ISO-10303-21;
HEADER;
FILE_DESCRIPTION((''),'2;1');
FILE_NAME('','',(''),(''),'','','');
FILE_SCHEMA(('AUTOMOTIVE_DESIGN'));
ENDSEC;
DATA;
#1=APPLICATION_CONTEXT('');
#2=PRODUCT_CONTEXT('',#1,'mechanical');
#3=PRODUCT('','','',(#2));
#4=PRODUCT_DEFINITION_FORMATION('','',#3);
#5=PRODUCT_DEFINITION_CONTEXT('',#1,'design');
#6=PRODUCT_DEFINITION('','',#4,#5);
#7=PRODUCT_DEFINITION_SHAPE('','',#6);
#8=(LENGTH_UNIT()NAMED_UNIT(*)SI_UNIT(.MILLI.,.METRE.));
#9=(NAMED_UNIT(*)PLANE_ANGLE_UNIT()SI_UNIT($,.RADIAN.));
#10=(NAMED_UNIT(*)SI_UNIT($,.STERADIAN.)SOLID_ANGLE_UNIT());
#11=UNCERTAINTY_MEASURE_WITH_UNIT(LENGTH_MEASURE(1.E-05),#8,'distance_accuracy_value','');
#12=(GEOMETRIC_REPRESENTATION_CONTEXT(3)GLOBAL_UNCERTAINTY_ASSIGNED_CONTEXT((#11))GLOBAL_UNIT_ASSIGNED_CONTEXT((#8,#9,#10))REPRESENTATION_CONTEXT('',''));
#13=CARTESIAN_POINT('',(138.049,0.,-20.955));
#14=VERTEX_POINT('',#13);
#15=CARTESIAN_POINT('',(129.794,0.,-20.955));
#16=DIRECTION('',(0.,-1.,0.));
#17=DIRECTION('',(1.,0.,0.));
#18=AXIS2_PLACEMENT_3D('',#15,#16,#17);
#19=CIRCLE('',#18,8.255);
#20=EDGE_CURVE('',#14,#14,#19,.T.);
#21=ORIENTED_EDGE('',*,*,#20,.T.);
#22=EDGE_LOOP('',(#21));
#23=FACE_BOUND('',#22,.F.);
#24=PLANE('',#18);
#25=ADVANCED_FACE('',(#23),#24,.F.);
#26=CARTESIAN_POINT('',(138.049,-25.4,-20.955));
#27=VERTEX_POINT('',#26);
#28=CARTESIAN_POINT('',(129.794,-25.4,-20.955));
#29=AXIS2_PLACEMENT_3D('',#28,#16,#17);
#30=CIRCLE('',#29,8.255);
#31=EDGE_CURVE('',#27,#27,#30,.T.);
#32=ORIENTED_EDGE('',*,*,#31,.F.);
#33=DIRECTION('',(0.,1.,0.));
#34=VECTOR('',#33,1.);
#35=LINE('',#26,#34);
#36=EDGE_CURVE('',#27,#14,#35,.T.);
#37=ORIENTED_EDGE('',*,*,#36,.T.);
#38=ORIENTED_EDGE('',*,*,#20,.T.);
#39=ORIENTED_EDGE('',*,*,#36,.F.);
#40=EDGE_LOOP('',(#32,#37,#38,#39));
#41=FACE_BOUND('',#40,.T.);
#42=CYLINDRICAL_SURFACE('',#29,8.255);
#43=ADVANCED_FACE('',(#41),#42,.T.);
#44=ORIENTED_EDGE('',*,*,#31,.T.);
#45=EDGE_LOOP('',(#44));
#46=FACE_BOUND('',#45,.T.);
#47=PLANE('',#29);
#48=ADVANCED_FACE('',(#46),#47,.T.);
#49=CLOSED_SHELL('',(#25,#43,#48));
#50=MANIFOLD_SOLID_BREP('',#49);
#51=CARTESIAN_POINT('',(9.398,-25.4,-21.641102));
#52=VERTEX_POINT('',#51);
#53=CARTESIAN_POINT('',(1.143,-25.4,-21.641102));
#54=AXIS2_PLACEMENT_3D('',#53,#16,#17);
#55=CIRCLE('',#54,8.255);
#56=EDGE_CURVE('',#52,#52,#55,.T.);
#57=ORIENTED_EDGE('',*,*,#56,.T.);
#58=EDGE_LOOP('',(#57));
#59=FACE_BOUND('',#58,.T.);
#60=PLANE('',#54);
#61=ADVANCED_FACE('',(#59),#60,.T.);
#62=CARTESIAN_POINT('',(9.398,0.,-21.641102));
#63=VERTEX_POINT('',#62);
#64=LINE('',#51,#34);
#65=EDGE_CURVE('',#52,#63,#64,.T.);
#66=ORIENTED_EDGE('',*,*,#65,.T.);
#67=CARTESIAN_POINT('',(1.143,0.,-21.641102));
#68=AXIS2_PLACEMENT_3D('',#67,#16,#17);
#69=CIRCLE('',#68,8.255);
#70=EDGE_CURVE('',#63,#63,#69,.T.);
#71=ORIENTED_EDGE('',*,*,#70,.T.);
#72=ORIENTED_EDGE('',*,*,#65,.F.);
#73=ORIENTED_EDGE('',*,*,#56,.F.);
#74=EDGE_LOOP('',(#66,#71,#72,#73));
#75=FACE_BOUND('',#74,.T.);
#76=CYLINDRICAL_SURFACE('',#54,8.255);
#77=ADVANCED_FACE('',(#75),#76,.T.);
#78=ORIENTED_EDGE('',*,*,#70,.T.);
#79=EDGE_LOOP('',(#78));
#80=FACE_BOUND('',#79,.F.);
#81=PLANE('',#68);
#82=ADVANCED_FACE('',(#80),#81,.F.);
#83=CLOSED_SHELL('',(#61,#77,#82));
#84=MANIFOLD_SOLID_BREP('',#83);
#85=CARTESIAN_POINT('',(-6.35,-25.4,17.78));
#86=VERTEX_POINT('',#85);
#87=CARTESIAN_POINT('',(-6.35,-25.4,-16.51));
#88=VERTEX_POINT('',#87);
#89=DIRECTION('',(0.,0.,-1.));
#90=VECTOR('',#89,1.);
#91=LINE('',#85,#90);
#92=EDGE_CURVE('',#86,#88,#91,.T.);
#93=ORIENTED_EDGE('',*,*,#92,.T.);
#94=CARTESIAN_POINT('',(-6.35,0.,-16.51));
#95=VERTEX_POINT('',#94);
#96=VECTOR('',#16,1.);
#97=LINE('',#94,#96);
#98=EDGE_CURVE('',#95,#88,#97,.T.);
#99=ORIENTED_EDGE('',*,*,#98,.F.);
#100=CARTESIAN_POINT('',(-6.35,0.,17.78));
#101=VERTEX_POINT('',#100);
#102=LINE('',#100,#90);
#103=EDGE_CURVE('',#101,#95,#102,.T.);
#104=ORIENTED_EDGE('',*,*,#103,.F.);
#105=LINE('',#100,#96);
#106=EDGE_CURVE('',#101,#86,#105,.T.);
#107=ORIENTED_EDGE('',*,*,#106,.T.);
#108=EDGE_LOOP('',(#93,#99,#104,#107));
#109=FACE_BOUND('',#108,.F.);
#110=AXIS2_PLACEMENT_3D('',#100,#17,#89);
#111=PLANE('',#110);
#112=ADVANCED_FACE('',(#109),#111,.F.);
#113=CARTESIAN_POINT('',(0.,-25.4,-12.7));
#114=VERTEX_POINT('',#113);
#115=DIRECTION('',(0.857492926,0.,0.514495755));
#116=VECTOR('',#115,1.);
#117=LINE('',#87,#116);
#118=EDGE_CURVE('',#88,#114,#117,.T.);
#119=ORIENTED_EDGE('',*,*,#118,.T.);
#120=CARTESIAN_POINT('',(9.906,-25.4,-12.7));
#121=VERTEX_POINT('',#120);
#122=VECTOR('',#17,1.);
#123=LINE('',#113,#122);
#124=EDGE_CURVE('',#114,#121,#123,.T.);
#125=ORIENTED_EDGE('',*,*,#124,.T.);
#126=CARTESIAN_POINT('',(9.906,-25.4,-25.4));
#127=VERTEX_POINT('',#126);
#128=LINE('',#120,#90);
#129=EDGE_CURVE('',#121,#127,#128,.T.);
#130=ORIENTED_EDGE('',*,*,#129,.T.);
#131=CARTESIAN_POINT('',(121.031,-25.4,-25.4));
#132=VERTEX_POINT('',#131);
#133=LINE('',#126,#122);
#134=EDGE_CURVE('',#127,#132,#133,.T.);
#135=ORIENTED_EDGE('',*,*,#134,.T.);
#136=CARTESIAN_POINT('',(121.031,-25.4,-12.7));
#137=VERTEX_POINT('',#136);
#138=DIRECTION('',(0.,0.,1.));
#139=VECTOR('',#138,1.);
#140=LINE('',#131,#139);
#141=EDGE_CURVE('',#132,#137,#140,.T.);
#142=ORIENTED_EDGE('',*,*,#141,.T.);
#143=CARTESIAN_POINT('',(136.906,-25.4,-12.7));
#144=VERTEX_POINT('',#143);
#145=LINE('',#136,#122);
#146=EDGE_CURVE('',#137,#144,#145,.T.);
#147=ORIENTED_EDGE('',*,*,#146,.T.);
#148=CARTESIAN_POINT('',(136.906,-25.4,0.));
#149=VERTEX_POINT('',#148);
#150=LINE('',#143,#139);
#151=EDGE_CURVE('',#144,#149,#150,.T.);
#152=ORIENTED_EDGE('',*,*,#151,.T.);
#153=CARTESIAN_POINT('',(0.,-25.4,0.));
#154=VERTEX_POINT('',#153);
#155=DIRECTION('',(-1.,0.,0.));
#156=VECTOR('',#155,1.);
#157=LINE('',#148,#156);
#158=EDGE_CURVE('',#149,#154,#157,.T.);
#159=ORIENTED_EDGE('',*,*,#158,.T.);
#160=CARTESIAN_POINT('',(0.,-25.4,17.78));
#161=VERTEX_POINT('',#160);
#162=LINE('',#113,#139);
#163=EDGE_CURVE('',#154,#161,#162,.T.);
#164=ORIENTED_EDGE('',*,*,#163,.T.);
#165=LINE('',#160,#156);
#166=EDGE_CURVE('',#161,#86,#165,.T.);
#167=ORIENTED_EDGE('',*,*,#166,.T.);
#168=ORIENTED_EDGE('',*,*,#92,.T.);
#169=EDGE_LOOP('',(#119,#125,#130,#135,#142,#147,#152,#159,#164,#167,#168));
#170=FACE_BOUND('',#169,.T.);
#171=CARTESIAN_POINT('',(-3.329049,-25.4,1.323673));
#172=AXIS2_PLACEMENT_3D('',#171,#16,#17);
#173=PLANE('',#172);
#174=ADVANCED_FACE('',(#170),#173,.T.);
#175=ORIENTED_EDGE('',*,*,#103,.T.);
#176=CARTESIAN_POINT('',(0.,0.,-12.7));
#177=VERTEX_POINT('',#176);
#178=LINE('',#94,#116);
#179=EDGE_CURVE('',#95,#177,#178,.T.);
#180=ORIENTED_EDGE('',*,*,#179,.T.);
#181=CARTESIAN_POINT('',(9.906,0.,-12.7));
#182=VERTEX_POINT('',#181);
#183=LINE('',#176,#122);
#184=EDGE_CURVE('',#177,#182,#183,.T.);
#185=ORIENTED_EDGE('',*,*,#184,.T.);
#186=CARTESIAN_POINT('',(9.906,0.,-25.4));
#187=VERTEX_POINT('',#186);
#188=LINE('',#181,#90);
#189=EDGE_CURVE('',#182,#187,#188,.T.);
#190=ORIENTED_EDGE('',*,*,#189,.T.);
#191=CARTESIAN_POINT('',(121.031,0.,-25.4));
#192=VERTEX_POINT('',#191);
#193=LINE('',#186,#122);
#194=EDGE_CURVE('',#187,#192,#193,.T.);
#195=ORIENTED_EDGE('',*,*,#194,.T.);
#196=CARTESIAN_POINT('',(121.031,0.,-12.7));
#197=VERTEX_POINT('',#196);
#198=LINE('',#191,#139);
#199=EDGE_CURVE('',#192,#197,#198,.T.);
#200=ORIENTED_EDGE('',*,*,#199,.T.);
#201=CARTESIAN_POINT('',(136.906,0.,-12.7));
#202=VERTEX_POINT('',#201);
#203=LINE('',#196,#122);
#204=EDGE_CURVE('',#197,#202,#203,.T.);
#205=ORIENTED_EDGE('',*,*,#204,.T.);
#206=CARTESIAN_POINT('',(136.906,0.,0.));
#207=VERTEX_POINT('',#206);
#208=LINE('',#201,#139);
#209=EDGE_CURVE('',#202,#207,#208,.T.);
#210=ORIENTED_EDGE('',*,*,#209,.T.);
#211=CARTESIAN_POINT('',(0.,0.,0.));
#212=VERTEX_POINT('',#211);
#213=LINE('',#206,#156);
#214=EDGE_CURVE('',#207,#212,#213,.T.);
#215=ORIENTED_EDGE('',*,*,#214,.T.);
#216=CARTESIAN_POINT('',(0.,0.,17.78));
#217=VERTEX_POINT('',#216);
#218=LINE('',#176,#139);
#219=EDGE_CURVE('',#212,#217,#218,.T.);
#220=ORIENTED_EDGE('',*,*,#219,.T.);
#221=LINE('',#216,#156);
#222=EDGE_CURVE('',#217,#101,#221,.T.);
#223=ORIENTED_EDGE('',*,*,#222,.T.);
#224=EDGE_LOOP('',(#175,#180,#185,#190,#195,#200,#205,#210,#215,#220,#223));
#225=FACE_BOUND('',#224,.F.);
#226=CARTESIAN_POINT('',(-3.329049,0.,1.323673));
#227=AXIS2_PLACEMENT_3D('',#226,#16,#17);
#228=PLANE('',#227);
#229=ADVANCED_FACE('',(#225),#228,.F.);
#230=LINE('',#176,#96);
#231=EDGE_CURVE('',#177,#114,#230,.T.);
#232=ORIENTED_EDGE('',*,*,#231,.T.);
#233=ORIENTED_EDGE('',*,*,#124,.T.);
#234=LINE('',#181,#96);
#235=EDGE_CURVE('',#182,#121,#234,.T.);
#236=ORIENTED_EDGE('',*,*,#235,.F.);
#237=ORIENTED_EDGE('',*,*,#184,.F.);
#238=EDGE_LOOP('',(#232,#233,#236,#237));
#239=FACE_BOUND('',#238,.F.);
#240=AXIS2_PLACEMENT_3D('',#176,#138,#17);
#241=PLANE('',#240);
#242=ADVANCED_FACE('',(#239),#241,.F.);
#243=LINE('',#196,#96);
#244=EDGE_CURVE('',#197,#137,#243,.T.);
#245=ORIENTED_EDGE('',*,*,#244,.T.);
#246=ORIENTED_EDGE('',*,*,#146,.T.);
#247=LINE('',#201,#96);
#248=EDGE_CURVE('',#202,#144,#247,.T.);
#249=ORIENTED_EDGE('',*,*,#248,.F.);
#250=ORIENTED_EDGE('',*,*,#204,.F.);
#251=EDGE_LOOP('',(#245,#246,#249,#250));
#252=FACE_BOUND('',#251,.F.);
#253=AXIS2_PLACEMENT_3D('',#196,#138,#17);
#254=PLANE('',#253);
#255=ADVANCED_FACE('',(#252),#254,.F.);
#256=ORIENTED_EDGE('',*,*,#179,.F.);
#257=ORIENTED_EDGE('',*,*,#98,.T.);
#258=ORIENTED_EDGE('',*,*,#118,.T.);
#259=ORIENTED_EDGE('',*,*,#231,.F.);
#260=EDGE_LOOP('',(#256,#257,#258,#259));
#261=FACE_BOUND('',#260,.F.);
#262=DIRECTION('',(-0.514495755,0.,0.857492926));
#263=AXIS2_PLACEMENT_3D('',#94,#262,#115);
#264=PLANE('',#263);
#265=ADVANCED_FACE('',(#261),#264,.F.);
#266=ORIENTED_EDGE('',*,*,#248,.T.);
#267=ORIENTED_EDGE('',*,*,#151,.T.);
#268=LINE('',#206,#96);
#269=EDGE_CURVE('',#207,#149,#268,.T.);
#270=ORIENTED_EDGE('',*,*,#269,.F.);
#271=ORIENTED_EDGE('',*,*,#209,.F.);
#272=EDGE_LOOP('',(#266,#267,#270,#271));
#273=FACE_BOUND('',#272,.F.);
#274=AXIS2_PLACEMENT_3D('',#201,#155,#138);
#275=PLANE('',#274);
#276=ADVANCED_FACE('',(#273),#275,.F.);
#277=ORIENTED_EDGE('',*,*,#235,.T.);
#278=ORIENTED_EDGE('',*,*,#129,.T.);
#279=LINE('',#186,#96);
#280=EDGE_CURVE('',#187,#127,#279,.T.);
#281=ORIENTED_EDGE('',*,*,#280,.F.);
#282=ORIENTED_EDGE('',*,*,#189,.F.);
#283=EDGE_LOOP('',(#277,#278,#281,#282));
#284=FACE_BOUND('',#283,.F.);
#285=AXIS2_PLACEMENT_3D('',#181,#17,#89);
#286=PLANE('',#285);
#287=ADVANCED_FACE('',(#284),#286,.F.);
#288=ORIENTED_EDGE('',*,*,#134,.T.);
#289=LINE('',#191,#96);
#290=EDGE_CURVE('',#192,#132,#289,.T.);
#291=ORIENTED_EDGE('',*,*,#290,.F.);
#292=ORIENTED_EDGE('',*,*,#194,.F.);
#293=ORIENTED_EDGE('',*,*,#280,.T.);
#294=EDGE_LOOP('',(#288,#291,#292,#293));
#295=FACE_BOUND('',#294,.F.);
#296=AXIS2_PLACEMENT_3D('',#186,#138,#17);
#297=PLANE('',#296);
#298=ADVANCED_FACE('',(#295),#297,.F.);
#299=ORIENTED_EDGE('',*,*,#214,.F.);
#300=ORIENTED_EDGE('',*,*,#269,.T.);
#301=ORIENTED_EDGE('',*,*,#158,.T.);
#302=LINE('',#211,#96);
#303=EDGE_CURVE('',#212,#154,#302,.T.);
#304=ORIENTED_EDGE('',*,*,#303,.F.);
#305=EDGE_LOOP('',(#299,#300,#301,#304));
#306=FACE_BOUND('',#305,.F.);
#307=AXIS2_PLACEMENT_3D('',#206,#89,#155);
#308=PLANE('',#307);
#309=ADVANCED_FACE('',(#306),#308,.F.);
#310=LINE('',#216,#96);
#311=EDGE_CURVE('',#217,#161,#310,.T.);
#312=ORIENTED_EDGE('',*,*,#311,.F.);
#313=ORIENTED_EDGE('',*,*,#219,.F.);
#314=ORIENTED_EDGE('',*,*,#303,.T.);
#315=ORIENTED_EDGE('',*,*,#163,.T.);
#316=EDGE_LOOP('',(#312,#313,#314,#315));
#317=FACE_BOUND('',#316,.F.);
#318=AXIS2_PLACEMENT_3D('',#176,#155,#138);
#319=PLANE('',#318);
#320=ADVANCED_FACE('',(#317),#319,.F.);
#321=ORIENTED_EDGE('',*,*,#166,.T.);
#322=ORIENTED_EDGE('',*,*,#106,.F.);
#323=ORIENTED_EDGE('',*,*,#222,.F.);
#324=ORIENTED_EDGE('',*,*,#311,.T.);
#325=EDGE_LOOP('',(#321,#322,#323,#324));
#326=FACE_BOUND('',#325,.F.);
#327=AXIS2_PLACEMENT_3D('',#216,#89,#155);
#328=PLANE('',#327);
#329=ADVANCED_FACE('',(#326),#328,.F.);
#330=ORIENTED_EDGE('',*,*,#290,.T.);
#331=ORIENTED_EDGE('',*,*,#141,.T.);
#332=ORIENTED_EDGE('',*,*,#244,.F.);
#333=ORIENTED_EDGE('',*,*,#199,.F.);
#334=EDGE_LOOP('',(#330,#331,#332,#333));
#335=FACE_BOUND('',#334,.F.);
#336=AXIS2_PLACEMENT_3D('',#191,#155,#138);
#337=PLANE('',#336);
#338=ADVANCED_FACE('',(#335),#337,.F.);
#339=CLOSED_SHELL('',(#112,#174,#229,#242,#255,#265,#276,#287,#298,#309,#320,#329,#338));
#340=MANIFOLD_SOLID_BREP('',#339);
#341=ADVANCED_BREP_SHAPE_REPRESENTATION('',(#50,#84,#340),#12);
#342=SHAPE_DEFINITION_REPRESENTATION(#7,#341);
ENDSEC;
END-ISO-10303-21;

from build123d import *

# Parameters (mm, degrees)
F1_DEPTH = 25.4
F3_DEPTH = 25.4
F4_R     = 8.255
F5_DEPTH = 25.4
F6_R     = 8.255
F7_DEPTH = 25.4


with BuildPart() as f1:
    # F0 (on Front) → F1 (new body)
    with BuildSketch(Plane.XZ):
        Polygon((136.906, 0), (0, 0), (0, -12.7), (9.906, -12.7), (9.906, -25.4), (121.031, -25.4), (121.031, -12.7), (136.906, -12.7), align=None)
    extrude(amount=F1_DEPTH)

    # F2 (on Front) → F3 (join)
    with BuildSketch(Plane.XZ):
        Polygon((-6.35, -16.51), (0, -12.7), (0, 17.78), (-6.35, 17.78), align=None)
    extrude(amount=F3_DEPTH)


with BuildPart() as f5:
    # F4 (on face) → F5 (new body)
    with BuildSketch(Plane.XZ.offset(25.4)):
        with Locations((1.143, -21.641102)):
            Circle(F4_R)
    extrude(amount=-F5_DEPTH)


with BuildPart() as f7:
    # F6 (on face) → F7 (new body)
    with BuildSketch(Plane.XZ.offset(25.4)):
        with Locations((129.794, -20.955)):
            Circle(F6_R)
    extrude(amount=-F7_DEPTH)


solid = Compound([f1.part, f5.part, f7.part])
